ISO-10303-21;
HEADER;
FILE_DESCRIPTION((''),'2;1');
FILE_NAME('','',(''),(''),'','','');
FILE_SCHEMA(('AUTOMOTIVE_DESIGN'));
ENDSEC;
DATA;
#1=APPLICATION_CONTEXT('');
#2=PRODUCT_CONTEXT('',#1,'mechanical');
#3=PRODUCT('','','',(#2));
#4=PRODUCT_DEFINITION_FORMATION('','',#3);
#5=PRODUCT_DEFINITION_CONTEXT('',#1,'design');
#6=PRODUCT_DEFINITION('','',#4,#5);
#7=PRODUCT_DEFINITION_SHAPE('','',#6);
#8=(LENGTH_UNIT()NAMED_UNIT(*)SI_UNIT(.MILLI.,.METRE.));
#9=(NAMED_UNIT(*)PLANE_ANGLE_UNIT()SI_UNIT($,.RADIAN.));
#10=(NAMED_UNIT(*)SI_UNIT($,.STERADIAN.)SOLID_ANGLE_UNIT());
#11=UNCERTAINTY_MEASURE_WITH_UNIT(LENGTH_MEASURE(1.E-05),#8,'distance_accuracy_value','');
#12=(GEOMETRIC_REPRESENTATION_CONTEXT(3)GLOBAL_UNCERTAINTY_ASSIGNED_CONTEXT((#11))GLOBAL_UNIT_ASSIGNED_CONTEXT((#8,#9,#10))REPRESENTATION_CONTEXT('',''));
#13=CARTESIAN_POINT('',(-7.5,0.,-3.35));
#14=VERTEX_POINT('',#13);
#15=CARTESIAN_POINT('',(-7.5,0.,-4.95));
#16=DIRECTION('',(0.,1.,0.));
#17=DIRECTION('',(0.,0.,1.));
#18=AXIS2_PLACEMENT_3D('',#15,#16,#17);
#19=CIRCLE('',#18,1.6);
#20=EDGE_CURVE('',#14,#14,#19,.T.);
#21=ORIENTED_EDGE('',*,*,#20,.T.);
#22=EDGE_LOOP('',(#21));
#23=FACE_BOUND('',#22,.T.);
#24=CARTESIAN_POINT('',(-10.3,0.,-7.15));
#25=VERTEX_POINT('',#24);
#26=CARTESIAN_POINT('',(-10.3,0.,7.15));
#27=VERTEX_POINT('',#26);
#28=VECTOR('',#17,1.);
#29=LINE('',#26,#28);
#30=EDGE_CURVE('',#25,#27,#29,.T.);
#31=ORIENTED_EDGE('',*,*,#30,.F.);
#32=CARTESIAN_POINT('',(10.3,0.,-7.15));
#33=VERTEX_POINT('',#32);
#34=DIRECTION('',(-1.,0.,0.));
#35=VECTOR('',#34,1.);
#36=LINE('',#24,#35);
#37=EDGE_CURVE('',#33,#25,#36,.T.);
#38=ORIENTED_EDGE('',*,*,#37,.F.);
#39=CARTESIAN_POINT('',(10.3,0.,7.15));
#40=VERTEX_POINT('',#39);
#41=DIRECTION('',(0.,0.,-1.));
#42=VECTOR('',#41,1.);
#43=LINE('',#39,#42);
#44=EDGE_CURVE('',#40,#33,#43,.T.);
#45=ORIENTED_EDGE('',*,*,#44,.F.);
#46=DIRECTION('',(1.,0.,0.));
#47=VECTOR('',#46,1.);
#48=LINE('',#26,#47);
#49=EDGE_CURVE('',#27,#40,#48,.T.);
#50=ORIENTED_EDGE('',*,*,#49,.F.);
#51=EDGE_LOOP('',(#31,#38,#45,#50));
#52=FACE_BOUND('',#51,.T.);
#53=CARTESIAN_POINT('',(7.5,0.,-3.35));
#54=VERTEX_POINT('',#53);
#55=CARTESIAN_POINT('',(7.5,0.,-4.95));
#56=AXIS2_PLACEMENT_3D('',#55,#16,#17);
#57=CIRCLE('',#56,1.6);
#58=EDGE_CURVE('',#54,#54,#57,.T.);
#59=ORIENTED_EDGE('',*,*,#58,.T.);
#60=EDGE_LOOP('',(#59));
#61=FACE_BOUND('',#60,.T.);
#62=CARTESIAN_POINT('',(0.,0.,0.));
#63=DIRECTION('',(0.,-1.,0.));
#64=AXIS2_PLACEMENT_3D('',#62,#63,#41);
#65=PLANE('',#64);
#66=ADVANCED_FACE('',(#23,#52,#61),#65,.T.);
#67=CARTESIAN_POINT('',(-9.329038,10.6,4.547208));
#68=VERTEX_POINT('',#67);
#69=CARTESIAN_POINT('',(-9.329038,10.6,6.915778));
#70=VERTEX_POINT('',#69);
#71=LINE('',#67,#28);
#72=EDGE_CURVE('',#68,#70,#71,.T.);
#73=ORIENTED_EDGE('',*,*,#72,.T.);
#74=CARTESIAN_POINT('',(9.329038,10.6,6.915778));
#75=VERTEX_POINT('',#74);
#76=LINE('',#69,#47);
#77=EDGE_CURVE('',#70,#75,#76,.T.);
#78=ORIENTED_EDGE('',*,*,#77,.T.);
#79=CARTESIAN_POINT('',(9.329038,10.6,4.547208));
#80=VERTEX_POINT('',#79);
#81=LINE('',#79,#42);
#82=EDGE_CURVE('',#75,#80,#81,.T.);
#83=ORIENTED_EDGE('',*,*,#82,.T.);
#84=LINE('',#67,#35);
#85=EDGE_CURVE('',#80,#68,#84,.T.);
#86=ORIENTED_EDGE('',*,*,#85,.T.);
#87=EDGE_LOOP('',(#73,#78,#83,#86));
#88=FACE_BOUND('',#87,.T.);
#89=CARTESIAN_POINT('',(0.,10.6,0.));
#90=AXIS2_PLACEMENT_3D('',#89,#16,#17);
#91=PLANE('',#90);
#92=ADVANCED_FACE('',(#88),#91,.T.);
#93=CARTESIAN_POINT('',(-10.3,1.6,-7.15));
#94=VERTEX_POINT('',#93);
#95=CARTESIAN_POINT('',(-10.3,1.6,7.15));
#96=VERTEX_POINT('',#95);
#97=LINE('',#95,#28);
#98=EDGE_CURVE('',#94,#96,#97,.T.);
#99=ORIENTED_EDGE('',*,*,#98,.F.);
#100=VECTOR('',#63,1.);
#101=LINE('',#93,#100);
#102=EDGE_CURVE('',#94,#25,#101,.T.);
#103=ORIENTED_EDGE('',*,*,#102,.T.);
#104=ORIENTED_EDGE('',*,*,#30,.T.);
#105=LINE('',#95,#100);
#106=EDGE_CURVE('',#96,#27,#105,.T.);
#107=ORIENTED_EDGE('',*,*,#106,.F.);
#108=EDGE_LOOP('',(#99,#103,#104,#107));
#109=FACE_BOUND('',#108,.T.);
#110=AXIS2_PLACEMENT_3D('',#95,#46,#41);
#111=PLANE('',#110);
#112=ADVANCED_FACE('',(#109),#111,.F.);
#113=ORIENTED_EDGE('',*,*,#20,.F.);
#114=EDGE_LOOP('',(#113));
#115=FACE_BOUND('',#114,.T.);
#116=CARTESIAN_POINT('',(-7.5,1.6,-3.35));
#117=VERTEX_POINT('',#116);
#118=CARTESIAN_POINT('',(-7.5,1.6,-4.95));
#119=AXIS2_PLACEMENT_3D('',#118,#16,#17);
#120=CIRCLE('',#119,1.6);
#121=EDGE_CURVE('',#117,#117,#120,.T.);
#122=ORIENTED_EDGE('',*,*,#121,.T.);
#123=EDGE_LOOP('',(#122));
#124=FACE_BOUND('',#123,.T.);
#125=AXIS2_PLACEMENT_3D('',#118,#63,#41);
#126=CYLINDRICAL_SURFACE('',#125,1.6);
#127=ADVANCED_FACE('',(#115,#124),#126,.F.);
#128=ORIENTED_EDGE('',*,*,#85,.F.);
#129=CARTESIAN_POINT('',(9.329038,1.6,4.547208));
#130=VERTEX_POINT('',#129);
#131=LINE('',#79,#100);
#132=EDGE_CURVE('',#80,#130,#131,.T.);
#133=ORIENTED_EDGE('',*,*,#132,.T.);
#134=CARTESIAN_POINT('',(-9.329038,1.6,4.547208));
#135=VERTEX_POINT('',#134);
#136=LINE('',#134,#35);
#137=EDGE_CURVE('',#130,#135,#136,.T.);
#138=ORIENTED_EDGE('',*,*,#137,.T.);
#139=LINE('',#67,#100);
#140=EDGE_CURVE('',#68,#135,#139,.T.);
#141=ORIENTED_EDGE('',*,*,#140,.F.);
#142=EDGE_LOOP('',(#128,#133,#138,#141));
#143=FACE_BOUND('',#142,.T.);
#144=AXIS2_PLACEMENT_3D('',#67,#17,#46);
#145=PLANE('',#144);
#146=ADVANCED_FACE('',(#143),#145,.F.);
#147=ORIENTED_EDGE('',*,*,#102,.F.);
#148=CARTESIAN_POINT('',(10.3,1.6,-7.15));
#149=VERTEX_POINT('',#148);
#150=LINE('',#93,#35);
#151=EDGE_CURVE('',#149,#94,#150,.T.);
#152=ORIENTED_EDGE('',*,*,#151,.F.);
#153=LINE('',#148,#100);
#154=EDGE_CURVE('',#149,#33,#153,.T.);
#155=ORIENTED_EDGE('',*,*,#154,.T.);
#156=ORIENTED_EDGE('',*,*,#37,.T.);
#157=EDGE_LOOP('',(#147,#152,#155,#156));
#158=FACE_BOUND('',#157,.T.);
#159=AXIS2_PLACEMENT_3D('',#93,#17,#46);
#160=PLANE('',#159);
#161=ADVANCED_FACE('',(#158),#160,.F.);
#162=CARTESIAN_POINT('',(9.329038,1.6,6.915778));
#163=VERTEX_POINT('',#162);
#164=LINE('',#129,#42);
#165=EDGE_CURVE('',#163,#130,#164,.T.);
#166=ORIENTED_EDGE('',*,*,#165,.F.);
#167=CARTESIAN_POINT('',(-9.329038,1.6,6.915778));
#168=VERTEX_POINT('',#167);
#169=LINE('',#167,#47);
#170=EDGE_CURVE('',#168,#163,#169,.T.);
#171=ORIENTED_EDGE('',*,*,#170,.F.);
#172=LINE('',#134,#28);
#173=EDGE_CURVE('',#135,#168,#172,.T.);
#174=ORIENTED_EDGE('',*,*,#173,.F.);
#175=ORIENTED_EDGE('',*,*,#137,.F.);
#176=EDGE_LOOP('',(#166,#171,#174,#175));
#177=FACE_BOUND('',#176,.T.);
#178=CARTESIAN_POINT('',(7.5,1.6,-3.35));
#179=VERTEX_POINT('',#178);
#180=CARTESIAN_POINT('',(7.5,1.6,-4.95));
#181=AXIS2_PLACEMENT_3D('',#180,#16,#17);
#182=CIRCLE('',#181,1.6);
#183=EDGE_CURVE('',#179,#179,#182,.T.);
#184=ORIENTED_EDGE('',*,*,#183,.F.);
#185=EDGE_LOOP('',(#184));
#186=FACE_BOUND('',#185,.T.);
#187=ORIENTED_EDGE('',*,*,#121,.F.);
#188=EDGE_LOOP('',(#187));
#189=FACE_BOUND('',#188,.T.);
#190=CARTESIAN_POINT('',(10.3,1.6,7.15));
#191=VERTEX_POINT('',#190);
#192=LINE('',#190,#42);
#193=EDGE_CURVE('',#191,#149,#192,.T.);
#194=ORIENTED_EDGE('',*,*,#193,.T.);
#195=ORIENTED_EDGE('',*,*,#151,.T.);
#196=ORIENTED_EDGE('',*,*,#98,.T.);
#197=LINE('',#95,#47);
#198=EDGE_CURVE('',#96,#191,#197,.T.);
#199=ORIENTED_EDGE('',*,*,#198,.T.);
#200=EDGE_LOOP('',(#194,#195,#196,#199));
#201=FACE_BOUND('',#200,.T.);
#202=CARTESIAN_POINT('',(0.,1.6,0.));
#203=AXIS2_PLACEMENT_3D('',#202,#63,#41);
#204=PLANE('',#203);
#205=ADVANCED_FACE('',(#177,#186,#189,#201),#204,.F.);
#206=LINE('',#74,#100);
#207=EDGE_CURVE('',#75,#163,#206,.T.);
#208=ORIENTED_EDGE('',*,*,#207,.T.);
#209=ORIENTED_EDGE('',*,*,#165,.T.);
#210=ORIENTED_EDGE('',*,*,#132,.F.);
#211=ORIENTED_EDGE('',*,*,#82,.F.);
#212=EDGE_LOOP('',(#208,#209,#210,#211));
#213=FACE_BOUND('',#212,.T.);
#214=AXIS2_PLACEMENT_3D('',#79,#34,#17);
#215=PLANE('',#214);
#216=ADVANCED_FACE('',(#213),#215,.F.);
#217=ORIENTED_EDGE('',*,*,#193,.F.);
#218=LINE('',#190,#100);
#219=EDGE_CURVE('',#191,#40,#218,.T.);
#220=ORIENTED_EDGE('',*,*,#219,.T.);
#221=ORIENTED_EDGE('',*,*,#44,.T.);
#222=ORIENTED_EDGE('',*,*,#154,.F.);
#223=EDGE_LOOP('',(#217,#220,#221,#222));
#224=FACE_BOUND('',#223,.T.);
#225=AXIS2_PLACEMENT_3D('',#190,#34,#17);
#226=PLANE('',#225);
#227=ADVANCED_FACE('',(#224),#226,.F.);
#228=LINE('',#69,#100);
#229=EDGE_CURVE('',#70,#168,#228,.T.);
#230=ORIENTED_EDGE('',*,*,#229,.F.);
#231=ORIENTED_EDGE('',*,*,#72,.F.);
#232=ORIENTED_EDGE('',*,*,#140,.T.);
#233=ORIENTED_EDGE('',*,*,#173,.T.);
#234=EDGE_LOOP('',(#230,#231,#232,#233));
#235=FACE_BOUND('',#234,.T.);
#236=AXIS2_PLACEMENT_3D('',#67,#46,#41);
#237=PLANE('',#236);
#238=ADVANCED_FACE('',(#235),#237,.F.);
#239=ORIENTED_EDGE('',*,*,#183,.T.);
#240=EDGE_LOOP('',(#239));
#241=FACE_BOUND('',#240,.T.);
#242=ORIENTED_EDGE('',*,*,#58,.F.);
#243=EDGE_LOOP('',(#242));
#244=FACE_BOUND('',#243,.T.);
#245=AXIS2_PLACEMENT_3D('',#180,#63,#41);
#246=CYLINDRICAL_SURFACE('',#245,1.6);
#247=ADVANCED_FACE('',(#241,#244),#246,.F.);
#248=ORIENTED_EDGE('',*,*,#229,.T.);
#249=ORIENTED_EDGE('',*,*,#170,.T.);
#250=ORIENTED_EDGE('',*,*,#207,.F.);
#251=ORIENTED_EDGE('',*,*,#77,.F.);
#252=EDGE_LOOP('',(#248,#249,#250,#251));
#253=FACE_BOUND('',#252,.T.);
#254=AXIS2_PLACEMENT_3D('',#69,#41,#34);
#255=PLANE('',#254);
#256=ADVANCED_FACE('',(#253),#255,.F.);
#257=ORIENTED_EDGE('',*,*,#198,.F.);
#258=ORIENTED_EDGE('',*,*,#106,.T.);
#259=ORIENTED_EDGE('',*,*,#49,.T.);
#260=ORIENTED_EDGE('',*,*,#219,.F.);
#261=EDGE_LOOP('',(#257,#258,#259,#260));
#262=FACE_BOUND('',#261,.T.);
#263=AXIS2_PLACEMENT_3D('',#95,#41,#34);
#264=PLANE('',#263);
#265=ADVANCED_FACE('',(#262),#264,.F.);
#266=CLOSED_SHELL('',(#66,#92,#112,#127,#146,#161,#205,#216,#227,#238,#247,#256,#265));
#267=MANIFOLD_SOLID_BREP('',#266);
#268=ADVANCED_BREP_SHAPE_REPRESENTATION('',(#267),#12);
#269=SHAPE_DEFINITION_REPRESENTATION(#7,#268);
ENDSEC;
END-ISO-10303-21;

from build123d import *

# Parameters (mm, degrees)
SKETCH1_W           = 20.6
SKETCH1_H           = 14.3
SKETCH1_R           = 1.6
BOSS_EXTRUDE1_DEPTH = 1.6
SKETCH2_W           = 18.658076696
SKETCH2_H           = 2.368570216
BOSS_EXTRUDE2_DEPTH = 9


with BuildPart() as part:
    # Sketch1 → Boss-Extrude1 (new body)
    with BuildSketch(Plane(origin=(0, 0, 0), x_dir=(1, 0, 0), z_dir=(0, 1, 0))):
        Rectangle(SKETCH1_W, SKETCH1_H)
        with Locations((-7.5, 4.95)):
            Circle(SKETCH1_R, mode=Mode.SUBTRACT)
        with Locations((7.5, 4.95)):
            Circle(SKETCH1_R, mode=Mode.SUBTRACT)
    extrude(amount=BOSS_EXTRUDE1_DEPTH)

    # Sketch2 → Boss-Extrude2 (add)
    with BuildSketch(Plane(origin=(0, 1.6, 0), x_dir=(1, 0, 0), z_dir=(0, 1, 0))):
        with Locations((0, -5.731493021)):
            Rectangle(SKETCH2_W, SKETCH2_H)
    extrude(amount=BOSS_EXTRUDE2_DEPTH)


solid = part.part
